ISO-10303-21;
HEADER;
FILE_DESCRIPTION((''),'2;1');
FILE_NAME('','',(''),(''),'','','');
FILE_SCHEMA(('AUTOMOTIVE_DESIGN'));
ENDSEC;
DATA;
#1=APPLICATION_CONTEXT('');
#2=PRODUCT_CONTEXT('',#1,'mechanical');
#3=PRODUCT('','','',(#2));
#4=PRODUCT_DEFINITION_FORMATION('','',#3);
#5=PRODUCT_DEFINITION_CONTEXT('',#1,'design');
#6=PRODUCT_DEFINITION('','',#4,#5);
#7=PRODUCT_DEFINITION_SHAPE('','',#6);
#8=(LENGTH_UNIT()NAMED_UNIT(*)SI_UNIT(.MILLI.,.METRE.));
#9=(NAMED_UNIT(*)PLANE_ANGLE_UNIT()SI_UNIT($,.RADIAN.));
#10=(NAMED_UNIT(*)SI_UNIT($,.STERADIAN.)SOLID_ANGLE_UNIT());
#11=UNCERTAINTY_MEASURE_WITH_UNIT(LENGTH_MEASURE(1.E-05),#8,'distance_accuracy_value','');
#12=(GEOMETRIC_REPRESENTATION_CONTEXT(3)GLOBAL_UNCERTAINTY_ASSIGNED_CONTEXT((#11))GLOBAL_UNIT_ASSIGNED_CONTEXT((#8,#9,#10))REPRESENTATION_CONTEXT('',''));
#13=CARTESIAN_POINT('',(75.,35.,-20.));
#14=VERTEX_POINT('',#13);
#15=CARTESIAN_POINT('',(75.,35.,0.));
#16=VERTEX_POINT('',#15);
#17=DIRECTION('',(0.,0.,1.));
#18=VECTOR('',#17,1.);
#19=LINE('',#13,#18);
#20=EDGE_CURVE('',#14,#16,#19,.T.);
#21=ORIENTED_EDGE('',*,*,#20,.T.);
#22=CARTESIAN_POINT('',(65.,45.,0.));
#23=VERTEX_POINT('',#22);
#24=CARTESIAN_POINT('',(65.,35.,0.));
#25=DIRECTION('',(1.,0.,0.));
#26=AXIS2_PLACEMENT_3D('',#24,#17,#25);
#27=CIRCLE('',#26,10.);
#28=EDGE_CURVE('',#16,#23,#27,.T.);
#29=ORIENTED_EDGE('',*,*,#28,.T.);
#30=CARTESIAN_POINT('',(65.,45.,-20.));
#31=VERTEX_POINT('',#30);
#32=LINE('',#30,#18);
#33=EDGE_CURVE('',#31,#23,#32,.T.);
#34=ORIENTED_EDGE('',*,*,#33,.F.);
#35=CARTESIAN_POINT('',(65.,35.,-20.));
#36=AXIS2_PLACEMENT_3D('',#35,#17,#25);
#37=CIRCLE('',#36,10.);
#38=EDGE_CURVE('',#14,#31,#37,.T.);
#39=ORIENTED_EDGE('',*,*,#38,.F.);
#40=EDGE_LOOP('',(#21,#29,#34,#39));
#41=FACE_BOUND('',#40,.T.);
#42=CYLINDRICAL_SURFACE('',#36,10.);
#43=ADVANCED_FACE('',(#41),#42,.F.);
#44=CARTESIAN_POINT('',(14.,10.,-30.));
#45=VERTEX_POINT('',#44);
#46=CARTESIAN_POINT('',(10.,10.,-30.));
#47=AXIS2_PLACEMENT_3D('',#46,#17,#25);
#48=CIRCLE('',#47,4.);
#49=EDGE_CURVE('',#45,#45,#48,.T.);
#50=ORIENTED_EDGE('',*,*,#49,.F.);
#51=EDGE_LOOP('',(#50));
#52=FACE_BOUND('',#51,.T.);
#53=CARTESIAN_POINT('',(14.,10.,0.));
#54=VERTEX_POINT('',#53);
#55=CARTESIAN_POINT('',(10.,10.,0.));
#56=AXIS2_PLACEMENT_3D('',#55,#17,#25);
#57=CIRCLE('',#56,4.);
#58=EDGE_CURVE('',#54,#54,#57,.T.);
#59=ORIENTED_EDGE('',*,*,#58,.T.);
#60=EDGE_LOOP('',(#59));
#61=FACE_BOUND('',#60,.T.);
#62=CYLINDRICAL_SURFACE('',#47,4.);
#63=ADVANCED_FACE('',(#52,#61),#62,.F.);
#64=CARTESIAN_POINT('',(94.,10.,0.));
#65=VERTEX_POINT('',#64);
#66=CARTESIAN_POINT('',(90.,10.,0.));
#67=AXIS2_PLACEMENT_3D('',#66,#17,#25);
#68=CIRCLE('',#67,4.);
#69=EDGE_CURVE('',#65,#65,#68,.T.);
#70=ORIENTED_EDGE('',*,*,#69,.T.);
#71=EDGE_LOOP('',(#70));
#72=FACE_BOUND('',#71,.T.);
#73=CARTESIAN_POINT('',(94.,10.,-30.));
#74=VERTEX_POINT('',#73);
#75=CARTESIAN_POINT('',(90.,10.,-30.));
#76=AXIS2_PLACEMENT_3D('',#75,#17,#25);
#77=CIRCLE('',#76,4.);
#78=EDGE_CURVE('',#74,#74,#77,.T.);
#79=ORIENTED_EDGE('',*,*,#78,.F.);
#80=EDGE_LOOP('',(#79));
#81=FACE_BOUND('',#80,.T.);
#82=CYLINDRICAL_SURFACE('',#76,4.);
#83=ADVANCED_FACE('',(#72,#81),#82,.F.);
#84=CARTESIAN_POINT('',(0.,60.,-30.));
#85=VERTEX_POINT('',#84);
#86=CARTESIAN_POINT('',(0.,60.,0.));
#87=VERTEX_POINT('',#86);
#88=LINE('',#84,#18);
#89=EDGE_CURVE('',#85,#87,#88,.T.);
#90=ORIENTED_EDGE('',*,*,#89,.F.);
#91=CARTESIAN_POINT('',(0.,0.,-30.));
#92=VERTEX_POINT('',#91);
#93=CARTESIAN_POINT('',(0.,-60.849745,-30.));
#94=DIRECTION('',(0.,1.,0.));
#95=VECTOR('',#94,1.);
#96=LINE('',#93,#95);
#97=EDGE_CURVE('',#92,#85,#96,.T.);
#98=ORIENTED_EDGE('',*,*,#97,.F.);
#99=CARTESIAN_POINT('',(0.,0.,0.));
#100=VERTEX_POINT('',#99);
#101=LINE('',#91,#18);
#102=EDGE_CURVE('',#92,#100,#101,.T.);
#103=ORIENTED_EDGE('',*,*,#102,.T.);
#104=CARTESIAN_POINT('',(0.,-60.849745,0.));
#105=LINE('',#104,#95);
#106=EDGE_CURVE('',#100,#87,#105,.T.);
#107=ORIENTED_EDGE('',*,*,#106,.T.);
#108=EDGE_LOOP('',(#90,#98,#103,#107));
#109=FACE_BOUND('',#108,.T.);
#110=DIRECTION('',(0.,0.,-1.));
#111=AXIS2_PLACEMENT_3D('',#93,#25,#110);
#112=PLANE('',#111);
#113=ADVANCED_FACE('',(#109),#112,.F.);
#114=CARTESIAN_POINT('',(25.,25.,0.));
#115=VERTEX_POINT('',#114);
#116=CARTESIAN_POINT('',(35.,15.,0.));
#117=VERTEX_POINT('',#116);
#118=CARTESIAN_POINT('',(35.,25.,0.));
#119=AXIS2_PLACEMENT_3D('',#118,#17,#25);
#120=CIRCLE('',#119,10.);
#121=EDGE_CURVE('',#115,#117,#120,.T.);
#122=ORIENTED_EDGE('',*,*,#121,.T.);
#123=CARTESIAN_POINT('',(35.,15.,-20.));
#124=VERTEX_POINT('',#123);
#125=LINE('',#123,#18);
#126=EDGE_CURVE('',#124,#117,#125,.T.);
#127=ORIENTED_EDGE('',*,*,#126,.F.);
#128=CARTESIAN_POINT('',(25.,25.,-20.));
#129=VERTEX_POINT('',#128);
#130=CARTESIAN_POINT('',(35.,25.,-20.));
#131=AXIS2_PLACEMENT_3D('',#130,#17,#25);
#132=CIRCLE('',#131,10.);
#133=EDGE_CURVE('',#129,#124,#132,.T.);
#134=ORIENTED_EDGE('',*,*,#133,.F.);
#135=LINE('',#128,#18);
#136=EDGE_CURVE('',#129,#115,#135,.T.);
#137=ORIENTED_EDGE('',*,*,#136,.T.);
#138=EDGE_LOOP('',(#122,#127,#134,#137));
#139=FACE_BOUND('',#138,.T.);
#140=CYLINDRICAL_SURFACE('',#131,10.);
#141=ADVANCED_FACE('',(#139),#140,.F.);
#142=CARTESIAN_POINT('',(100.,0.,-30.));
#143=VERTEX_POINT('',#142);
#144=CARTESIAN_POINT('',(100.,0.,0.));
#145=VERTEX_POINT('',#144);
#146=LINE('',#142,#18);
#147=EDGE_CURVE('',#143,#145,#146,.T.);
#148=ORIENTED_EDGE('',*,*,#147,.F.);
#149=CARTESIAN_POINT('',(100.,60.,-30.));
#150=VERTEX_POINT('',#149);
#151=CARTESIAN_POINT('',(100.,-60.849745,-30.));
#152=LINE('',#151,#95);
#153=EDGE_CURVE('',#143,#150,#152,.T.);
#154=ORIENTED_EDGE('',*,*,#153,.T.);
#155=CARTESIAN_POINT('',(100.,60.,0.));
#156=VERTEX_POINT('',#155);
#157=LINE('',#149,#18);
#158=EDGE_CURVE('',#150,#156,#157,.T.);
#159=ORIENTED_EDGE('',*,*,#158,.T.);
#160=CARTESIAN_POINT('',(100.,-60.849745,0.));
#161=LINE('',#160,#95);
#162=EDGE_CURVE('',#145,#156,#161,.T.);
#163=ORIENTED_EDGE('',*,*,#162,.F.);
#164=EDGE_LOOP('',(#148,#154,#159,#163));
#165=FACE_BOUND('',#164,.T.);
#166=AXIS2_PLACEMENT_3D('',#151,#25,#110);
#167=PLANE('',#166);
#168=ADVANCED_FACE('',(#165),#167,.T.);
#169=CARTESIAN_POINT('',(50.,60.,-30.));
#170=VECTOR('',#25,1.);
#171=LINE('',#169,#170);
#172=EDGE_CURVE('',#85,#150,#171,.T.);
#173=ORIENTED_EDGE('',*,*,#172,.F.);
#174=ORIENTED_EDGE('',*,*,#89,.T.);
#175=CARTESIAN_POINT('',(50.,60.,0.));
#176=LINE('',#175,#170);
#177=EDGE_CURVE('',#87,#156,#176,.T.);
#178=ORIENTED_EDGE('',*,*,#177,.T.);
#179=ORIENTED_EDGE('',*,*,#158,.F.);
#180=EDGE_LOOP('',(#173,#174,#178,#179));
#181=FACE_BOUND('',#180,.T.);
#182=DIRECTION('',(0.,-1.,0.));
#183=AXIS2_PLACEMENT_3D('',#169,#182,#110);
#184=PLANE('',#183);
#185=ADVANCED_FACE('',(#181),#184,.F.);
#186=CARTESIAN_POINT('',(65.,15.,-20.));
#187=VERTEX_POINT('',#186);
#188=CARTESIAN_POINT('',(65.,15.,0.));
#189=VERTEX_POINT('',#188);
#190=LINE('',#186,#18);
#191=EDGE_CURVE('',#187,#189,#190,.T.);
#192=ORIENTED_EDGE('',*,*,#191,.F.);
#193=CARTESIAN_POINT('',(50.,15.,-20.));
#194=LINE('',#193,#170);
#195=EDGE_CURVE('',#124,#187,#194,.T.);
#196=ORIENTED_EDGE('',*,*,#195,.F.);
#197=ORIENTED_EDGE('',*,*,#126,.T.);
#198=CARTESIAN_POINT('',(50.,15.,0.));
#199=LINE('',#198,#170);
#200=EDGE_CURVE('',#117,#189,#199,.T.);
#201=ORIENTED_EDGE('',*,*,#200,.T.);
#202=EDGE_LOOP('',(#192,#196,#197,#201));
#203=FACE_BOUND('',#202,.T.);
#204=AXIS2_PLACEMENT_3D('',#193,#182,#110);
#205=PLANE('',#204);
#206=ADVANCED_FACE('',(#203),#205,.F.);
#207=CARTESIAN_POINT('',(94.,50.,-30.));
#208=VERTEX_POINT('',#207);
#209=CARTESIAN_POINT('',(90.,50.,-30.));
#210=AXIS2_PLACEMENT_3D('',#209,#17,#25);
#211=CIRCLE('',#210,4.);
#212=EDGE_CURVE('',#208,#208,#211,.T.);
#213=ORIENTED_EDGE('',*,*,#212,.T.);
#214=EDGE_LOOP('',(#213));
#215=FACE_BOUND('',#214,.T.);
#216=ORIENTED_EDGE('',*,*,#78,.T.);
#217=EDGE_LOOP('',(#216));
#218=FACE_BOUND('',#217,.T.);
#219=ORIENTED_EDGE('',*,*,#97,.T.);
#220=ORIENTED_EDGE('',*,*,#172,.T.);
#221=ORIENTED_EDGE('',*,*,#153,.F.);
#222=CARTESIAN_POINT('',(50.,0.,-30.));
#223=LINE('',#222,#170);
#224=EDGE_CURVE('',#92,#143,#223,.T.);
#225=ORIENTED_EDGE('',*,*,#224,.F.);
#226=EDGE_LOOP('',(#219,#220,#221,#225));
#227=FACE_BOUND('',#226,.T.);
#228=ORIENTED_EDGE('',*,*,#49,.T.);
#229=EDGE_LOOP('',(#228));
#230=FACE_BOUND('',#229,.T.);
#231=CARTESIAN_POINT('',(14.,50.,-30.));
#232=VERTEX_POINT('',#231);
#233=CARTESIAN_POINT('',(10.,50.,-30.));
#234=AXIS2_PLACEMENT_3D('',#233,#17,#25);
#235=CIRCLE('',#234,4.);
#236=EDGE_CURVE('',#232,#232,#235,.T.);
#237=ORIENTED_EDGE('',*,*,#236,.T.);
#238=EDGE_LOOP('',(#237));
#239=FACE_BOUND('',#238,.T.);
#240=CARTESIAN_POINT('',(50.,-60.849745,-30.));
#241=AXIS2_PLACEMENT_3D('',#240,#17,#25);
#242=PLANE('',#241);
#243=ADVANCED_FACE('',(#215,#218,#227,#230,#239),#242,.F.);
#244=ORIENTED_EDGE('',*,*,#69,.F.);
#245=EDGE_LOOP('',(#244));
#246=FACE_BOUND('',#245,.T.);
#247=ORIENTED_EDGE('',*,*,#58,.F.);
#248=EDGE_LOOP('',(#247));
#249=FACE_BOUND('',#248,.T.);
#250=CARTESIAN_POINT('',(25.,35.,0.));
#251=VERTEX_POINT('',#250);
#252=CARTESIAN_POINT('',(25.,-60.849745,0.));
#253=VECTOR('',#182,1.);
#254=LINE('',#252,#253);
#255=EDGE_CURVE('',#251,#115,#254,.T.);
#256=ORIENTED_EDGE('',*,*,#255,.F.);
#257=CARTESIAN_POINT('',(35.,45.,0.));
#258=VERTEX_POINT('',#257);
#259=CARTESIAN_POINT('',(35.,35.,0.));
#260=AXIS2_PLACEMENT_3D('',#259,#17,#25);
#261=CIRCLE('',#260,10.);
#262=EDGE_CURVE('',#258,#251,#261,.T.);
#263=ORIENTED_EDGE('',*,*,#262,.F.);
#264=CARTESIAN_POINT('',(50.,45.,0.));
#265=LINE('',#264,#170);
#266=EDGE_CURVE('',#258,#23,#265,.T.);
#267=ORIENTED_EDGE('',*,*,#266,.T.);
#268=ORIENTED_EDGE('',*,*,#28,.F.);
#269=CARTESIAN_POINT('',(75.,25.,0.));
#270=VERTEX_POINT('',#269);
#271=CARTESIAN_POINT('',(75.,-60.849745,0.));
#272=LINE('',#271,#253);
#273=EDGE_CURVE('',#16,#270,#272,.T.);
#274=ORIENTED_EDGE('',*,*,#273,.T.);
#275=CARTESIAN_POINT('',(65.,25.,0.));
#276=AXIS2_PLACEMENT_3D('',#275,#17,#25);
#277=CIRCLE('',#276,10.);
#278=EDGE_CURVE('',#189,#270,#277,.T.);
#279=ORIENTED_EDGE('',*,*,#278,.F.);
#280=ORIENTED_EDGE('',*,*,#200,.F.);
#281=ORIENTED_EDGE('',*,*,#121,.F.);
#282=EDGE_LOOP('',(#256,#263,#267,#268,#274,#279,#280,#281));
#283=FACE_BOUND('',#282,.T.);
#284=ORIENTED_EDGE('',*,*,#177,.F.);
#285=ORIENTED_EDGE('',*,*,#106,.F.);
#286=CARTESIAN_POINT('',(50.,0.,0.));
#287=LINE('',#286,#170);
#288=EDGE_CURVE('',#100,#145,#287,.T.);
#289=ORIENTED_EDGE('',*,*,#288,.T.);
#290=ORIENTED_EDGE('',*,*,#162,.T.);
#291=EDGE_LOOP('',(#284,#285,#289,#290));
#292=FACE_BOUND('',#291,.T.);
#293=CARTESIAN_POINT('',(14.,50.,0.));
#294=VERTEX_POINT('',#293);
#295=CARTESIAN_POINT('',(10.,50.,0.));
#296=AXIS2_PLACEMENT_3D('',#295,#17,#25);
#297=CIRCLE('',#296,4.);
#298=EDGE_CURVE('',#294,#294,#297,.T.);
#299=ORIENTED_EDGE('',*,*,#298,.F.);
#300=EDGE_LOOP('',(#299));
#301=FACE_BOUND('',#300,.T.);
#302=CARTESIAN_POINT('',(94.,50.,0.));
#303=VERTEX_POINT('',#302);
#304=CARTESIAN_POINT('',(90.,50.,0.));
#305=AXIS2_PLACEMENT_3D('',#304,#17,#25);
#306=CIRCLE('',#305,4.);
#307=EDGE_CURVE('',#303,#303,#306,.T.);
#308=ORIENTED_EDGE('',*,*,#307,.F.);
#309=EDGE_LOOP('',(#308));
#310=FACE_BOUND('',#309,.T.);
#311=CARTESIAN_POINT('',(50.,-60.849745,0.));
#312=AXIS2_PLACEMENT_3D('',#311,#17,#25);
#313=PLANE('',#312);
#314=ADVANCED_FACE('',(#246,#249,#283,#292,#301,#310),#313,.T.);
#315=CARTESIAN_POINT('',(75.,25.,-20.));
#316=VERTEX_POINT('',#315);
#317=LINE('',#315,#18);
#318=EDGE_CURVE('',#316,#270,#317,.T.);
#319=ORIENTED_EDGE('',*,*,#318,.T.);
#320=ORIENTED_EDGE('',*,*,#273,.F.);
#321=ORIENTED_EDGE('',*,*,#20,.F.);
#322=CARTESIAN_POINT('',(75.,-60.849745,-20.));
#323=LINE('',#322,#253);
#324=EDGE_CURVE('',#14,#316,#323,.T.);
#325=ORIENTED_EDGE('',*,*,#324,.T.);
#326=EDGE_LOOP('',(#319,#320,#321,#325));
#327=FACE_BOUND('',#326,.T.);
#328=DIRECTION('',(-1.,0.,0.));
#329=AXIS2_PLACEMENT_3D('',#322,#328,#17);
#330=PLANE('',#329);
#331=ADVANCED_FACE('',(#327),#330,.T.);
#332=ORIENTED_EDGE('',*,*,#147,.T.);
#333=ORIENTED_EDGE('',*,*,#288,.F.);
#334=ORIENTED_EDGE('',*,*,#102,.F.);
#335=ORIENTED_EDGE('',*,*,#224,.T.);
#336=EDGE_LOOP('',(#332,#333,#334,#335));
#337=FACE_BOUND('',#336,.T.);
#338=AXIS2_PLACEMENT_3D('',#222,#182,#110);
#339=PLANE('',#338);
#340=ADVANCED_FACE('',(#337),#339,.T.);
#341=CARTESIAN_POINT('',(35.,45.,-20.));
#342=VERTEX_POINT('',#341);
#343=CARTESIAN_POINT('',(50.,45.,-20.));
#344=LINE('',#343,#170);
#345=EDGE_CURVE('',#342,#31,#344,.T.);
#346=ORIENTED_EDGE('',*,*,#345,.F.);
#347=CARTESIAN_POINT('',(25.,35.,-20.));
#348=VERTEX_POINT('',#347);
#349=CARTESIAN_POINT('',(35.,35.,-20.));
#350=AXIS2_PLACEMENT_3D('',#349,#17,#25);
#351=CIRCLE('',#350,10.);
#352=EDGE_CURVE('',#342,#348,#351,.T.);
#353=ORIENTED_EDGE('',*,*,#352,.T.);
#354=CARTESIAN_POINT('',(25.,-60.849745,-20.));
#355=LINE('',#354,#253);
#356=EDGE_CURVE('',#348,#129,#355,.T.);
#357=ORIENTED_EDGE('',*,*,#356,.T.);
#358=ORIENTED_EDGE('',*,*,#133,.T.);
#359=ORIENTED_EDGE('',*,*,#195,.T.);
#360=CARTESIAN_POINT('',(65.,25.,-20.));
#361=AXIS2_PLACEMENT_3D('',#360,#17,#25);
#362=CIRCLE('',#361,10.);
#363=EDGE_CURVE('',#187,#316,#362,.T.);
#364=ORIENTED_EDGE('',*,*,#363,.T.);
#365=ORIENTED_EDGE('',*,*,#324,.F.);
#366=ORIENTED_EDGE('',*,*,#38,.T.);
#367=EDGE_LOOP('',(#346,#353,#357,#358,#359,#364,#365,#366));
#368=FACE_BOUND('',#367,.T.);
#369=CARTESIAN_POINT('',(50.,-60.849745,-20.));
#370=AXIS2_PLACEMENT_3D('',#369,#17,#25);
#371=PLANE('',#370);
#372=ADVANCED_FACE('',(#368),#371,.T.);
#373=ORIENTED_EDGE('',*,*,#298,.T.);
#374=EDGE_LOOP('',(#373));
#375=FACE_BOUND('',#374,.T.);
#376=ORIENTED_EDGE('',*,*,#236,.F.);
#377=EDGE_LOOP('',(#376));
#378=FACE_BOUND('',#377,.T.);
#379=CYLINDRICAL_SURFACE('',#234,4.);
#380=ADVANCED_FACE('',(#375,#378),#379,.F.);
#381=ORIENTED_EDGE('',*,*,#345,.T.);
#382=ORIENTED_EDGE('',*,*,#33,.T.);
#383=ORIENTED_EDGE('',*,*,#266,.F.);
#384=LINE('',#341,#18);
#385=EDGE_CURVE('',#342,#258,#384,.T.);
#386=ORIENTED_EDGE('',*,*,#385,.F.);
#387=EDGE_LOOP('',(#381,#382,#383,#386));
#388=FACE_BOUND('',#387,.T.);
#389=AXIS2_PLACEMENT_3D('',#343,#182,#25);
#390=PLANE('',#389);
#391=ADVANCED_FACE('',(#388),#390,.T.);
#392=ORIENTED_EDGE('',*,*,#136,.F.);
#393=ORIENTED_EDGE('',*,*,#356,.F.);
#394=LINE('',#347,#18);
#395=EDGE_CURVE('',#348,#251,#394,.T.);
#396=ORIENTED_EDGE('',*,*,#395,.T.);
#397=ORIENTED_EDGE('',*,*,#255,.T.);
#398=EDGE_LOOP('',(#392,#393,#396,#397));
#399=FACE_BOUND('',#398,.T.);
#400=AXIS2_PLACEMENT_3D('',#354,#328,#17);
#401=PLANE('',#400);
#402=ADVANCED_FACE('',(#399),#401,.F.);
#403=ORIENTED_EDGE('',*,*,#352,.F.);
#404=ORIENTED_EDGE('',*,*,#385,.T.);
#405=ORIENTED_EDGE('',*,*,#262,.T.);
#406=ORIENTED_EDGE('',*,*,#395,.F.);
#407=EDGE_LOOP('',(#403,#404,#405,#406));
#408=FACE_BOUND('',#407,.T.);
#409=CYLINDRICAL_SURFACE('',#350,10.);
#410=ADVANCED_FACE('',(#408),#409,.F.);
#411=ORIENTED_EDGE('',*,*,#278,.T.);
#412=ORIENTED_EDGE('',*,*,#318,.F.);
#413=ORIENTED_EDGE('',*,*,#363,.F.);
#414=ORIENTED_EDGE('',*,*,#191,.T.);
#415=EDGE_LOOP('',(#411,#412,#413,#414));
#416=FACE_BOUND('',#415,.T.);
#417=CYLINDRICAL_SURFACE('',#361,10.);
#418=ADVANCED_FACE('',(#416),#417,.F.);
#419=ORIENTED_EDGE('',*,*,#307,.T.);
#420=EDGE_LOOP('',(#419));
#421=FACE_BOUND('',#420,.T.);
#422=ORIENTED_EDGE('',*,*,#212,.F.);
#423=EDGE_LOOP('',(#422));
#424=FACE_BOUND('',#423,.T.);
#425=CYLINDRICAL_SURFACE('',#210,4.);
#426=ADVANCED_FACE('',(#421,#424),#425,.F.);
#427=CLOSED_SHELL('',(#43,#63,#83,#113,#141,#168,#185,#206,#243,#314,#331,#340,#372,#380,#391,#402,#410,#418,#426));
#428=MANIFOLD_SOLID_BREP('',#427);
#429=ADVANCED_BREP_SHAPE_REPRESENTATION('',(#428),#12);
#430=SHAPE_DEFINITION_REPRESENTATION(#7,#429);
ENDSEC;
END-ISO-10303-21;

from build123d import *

# Parameters (mm, degrees)
ESBO_O1_W       = 100
ESBO_O1_H       = 60
ESBO_O1_R       = 4
EXTRUS_O2_DEPTH = 30
EXTRUS_O3_DEPTH = 20


with BuildPart() as part:
    # Esbo_o1 → Extrus_o2 (new body)
    with BuildSketch(Plane.XY):
        with Locations((50, 30)):
            Rectangle(ESBO_O1_W, ESBO_O1_H)
        with Locations((90, 10)):
            Circle(ESBO_O1_R, mode=Mode.SUBTRACT)
        with Locations((10, 10)):
            Circle(ESBO_O1_R, mode=Mode.SUBTRACT)
        with Locations((10, 50)):
            Circle(ESBO_O1_R, mode=Mode.SUBTRACT)
        with Locations((90, 50)):
            Circle(ESBO_O1_R, mode=Mode.SUBTRACT)
        with BuildLine():
            ThreePointArc((25, 25), (27.928932188, 17.928932188), (35, 15))
            Line((35, 15), (65, 15))
            ThreePointArc((65, 15), (72.071067812, 17.928932188), (75, 25))
            Line((75, 25), (75, 35))
            ThreePointArc((75, 35), (72.071067812, 42.071067812), (65, 45))
            Line((65, 45), (35, 45))
            ThreePointArc((35, 45), (27.928932188, 42.071067812), (25, 35))
            Line((25, 35), (25, 25))
        make_face(mode=Mode.SUBTRACT)
        with BuildLine():
            Line((25, 35), (25, 25))
            ThreePointArc((25, 25), (27.928932188, 17.928932188), (35, 15))
            Line((35, 15), (65, 15))
            ThreePointArc((65, 15), (72.071067812, 17.928932188), (75, 25))
            Line((75, 25), (75, 35))
            ThreePointArc((75, 35), (72.071067812, 42.071067812), (65, 45))
            Line((65, 45), (35, 45))
            ThreePointArc((35, 45), (27.928932188, 42.071067812), (25, 35))
        make_face()
    extrude(amount=-EXTRUS_O2_DEPTH)

    # Esbo_o1_4 → Extrus_o3 (cut)
    with BuildSketch(Plane.XY):
        with BuildLine():
            Line((25, 35), (25, 25))
            ThreePointArc((25, 25), (27.928932188, 17.928932188), (35, 15))
            Line((35, 15), (65, 15))
            ThreePointArc((65, 15), (72.071067812, 17.928932188), (75, 25))
            Line((75, 25), (75, 35))
            ThreePointArc((75, 35), (72.071067812, 42.071067812), (65, 45))
            Line((65, 45), (35, 45))
            ThreePointArc((35, 45), (27.928932188, 42.071067812), (25, 35))
        make_face()
    extrude(amount=-EXTRUS_O3_DEPTH, mode=Mode.SUBTRACT)


solid = part.part
